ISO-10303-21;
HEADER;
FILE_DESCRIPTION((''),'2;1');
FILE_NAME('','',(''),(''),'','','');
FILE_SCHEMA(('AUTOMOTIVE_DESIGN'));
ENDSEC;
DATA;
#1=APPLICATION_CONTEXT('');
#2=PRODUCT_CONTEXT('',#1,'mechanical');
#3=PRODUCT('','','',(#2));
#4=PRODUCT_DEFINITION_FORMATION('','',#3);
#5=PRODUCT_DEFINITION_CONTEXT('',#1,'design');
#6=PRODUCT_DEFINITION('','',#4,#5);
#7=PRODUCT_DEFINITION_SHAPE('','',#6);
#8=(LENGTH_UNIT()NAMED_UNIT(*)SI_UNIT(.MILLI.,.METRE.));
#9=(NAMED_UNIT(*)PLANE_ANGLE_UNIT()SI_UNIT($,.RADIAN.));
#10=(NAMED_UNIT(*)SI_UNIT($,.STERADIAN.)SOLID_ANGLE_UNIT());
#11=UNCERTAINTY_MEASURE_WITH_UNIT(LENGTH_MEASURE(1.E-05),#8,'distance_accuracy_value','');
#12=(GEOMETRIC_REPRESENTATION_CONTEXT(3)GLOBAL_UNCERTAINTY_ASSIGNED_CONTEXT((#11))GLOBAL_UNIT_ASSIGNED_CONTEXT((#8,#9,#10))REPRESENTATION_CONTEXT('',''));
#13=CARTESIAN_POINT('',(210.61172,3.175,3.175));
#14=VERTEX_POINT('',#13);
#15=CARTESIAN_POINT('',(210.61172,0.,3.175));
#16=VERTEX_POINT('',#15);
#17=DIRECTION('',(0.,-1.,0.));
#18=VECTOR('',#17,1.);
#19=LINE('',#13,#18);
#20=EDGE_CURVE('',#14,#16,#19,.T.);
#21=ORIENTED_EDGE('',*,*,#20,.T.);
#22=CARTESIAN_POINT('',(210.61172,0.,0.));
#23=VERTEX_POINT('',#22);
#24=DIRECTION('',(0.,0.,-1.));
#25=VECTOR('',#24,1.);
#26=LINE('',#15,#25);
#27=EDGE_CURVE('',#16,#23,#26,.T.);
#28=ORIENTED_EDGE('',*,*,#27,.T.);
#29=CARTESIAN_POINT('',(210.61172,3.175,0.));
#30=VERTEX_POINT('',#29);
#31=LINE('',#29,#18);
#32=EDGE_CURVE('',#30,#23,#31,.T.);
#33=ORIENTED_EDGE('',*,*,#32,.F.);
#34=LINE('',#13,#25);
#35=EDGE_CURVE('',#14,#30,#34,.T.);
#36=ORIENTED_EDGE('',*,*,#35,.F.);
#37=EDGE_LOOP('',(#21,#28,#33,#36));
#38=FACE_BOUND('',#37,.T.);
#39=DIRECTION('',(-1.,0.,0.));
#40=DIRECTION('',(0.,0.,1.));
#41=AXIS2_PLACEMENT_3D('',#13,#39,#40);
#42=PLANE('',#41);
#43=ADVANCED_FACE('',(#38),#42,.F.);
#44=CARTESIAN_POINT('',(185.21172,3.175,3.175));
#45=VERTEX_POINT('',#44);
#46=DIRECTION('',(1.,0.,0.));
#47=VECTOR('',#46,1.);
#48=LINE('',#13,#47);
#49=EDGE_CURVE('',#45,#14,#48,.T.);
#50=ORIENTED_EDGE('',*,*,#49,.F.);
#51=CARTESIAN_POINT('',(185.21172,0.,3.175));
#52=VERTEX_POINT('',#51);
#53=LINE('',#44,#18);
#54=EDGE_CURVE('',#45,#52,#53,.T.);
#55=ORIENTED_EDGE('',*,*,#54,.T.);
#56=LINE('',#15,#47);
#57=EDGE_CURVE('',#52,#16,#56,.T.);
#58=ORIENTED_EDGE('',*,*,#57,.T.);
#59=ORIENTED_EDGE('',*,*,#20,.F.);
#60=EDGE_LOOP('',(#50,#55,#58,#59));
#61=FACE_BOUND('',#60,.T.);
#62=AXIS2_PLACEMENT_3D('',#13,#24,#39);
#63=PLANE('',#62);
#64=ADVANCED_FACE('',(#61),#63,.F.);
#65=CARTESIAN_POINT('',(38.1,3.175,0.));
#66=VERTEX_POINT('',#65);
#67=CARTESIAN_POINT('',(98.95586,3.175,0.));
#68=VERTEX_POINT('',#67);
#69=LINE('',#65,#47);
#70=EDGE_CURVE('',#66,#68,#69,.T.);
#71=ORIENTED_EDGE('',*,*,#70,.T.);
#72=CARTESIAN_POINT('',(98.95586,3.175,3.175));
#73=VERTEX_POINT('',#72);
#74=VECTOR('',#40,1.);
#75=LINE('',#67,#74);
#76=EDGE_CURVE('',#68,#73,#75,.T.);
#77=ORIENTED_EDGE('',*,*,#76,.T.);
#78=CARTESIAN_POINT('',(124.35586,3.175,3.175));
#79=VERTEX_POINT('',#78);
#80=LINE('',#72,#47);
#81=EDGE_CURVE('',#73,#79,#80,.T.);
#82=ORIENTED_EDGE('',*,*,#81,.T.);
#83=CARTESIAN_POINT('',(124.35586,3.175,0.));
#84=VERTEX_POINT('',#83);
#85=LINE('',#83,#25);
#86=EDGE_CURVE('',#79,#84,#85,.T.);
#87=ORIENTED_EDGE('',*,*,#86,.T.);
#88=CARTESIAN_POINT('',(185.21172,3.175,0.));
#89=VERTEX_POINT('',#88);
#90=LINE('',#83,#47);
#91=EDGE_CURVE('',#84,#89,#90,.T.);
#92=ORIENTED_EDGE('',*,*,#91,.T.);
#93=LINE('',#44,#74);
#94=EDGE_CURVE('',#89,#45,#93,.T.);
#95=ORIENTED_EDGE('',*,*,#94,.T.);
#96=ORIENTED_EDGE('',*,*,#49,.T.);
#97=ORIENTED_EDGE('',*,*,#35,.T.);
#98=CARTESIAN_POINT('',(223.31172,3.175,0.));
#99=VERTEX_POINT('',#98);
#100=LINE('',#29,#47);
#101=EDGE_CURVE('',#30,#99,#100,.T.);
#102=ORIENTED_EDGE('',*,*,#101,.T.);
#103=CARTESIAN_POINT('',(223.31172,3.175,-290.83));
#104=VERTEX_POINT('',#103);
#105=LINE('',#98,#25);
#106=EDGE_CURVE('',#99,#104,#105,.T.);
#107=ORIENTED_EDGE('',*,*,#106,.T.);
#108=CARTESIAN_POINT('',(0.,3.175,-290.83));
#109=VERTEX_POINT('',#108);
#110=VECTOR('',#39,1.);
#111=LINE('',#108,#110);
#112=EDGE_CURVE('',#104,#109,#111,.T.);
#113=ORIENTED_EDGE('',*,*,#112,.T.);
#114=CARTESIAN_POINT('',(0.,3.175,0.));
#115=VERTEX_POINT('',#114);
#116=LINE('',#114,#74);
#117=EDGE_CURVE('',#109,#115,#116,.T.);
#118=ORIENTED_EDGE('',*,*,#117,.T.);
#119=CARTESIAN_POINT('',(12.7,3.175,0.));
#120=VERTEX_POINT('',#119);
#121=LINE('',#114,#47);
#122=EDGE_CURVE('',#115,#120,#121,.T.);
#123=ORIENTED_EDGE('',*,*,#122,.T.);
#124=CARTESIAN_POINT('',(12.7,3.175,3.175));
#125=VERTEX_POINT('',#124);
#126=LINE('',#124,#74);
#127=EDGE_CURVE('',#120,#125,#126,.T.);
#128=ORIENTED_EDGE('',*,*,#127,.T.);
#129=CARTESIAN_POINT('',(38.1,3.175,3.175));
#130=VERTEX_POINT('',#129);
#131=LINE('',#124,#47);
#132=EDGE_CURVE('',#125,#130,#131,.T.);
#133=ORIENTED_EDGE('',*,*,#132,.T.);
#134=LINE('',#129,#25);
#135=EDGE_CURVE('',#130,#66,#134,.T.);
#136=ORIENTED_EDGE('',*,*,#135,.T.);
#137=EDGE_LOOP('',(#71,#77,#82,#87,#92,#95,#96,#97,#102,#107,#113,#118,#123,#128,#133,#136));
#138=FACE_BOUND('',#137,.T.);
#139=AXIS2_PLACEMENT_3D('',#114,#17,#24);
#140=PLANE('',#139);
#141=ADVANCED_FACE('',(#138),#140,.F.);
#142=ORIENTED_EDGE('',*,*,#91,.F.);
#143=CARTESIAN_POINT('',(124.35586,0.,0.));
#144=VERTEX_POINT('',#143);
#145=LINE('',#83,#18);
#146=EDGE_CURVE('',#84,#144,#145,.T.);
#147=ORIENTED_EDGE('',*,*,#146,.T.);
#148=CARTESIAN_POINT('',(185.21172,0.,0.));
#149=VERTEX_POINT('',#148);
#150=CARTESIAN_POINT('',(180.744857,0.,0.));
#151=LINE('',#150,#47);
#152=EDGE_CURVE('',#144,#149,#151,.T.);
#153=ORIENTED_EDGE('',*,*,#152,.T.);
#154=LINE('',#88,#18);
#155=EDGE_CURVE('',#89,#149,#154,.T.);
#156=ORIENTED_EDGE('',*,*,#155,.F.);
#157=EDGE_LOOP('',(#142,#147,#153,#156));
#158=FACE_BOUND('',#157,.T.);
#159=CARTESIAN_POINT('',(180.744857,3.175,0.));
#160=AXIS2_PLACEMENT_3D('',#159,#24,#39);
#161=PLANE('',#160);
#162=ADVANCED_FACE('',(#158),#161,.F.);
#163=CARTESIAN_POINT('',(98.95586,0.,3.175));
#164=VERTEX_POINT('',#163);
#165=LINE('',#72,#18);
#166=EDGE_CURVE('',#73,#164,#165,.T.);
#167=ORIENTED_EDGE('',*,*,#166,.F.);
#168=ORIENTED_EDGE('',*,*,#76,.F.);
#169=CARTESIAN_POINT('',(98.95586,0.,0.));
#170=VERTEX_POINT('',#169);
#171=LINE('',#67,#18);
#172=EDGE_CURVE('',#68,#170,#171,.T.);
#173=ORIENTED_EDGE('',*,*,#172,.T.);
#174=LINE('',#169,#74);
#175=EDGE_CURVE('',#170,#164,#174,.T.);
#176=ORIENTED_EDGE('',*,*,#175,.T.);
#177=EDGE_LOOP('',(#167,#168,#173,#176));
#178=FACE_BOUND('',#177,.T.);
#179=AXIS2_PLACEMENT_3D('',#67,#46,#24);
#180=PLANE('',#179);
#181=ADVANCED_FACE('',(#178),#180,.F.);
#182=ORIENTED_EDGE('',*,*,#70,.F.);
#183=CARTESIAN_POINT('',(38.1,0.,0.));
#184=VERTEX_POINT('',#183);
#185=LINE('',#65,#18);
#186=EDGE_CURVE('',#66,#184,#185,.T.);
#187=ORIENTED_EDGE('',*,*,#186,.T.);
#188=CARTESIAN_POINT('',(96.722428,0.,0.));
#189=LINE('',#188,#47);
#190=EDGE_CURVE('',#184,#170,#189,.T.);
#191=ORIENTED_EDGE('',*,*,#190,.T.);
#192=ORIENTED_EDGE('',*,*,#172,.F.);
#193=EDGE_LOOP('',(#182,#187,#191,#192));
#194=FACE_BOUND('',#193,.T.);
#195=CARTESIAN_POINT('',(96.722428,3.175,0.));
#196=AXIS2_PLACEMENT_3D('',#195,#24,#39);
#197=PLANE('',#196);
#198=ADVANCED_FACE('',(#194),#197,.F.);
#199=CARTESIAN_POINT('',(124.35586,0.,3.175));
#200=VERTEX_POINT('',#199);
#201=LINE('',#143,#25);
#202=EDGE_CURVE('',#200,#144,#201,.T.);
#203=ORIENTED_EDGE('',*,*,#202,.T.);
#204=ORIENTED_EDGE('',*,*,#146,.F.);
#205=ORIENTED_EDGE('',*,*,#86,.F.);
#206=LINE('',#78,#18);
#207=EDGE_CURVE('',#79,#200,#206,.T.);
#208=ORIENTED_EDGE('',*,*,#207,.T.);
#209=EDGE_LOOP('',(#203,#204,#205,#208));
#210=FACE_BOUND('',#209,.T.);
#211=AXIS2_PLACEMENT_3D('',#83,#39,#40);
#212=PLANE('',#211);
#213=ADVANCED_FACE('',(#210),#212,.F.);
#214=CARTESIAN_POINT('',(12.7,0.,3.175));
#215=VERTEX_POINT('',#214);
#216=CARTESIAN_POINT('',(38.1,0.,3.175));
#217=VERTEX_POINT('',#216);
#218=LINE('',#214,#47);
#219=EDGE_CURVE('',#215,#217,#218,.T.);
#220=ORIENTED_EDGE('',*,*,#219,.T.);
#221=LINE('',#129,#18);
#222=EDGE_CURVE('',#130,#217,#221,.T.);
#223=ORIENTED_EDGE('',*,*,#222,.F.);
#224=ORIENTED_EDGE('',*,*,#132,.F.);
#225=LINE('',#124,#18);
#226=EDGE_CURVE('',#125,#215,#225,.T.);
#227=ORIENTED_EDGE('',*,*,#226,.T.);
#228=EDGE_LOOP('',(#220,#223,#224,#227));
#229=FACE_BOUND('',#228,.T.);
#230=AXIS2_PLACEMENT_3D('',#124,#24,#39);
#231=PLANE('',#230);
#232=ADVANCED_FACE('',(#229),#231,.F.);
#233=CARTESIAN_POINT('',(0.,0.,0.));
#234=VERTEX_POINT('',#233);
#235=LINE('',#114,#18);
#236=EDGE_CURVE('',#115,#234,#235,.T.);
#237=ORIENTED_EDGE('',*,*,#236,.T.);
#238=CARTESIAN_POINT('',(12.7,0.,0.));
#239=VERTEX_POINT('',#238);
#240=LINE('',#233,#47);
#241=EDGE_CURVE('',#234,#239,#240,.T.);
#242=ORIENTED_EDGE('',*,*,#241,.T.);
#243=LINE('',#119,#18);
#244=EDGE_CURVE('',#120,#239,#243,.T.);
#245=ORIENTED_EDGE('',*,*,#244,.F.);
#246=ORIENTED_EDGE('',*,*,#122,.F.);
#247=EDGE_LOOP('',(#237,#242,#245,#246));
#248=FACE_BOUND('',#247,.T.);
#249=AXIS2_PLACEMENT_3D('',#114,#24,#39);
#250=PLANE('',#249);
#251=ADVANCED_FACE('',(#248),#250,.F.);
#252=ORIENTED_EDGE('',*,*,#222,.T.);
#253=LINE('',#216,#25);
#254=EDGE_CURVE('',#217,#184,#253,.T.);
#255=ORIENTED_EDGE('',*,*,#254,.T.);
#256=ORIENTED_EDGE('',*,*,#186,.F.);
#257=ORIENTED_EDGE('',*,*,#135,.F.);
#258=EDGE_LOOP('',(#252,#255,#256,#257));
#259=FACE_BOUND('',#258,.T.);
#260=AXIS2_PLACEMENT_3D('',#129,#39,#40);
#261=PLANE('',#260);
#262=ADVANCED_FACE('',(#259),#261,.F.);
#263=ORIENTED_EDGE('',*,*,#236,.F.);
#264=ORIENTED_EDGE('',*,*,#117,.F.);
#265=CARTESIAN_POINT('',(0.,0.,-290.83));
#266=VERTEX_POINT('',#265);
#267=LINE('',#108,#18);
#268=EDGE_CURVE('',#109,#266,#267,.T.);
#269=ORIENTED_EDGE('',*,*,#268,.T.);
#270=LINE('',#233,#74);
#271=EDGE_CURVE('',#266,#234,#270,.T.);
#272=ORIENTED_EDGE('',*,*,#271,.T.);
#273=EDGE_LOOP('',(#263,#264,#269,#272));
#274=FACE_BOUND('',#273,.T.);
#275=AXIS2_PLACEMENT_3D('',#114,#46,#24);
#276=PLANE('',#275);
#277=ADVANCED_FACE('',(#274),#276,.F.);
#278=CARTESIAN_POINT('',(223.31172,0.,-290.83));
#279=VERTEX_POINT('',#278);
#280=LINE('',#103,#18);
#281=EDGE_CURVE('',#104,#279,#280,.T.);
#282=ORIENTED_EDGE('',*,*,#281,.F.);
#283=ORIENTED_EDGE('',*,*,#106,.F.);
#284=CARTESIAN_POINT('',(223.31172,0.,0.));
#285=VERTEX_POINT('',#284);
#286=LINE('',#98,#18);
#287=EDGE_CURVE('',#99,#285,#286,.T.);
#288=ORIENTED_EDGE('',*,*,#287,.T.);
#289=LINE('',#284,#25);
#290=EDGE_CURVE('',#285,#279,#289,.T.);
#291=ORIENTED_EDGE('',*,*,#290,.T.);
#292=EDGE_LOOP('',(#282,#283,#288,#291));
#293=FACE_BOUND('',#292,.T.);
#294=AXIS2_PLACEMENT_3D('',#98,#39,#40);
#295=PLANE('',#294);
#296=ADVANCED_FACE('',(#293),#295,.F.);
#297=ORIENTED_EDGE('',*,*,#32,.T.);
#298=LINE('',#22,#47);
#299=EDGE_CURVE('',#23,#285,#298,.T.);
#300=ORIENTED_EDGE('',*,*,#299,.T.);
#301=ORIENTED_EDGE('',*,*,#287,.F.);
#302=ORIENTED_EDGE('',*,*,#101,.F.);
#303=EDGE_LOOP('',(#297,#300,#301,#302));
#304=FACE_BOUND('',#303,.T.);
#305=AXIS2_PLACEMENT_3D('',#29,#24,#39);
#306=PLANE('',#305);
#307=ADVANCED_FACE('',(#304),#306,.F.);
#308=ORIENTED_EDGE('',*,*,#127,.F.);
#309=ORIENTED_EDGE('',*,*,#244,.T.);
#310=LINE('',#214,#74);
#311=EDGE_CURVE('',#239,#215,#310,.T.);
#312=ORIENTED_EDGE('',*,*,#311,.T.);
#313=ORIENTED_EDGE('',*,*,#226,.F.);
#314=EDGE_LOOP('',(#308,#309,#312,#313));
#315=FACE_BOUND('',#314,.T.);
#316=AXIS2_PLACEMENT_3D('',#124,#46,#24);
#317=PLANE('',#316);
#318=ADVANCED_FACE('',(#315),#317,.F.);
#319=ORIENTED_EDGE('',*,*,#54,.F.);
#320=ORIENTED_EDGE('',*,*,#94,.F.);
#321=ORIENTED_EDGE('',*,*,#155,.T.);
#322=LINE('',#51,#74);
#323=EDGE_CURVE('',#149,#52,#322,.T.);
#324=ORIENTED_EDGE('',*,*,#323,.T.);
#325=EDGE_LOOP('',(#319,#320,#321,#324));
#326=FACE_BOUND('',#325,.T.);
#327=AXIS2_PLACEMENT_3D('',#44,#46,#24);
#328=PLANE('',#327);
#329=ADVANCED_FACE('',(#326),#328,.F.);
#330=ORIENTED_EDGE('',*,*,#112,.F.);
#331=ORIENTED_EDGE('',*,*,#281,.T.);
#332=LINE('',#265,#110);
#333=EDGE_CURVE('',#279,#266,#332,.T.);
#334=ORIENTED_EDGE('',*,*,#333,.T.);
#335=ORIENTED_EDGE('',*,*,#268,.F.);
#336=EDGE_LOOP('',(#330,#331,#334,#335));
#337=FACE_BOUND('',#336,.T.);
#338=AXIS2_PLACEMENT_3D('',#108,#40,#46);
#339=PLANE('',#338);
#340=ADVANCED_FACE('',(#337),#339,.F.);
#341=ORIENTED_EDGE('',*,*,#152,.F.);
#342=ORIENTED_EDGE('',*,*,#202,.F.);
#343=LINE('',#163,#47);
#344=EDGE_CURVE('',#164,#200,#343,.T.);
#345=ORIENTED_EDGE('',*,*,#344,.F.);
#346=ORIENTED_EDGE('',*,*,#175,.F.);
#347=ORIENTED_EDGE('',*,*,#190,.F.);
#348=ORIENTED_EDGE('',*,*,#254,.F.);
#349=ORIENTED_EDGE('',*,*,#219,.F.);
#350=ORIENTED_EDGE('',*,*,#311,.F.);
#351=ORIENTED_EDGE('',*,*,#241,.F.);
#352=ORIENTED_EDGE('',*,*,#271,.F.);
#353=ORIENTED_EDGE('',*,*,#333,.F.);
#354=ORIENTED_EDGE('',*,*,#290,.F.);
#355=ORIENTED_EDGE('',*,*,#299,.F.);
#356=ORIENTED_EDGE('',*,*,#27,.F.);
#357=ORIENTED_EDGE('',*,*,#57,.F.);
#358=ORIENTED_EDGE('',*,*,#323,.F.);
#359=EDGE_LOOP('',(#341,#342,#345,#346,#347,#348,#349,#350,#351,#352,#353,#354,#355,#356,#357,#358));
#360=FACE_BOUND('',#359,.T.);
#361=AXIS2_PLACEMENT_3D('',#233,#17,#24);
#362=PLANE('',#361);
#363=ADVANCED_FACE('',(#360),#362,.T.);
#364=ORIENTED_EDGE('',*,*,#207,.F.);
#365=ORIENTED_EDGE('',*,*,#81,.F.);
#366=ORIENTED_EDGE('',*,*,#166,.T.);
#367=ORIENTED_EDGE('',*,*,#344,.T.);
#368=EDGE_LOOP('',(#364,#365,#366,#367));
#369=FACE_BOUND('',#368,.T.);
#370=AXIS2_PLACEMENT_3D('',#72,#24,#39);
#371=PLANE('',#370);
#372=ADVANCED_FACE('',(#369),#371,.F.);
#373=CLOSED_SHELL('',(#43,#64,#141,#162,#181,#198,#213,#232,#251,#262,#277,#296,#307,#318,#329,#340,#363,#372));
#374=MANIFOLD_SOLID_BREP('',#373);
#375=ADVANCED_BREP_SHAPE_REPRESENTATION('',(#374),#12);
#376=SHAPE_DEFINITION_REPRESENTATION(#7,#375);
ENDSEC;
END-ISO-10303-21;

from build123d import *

# Parameters (mm, degrees)
BOSS_EXTRUDE1_DEPTH = 3.175


with BuildPart() as part:
    # Sketch1 → Boss-Extrude1 (new body)
    with BuildSketch(Plane(origin=(0, 0, 0), x_dir=(1, 0, 0), z_dir=(0, 1, 0))):
        Polygon((0, 0), (12.7, 0), (12.7, -3.175), (38.1, -3.175), (38.1, 0), (96.722428365, 0), (98.95586, 0), (98.95586, -3.175), (124.35586, -3.175), (124.35586, 0), (180.744856729, 0), (185.21172, 0), (185.21172, -3.175), (210.61172, -3.175), (210.61172, 0), (223.31172, 0), (223.31172, 290.83), (0, 290.83), align=None)
    extrude(amount=BOSS_EXTRUDE1_DEPTH)


solid = part.part
